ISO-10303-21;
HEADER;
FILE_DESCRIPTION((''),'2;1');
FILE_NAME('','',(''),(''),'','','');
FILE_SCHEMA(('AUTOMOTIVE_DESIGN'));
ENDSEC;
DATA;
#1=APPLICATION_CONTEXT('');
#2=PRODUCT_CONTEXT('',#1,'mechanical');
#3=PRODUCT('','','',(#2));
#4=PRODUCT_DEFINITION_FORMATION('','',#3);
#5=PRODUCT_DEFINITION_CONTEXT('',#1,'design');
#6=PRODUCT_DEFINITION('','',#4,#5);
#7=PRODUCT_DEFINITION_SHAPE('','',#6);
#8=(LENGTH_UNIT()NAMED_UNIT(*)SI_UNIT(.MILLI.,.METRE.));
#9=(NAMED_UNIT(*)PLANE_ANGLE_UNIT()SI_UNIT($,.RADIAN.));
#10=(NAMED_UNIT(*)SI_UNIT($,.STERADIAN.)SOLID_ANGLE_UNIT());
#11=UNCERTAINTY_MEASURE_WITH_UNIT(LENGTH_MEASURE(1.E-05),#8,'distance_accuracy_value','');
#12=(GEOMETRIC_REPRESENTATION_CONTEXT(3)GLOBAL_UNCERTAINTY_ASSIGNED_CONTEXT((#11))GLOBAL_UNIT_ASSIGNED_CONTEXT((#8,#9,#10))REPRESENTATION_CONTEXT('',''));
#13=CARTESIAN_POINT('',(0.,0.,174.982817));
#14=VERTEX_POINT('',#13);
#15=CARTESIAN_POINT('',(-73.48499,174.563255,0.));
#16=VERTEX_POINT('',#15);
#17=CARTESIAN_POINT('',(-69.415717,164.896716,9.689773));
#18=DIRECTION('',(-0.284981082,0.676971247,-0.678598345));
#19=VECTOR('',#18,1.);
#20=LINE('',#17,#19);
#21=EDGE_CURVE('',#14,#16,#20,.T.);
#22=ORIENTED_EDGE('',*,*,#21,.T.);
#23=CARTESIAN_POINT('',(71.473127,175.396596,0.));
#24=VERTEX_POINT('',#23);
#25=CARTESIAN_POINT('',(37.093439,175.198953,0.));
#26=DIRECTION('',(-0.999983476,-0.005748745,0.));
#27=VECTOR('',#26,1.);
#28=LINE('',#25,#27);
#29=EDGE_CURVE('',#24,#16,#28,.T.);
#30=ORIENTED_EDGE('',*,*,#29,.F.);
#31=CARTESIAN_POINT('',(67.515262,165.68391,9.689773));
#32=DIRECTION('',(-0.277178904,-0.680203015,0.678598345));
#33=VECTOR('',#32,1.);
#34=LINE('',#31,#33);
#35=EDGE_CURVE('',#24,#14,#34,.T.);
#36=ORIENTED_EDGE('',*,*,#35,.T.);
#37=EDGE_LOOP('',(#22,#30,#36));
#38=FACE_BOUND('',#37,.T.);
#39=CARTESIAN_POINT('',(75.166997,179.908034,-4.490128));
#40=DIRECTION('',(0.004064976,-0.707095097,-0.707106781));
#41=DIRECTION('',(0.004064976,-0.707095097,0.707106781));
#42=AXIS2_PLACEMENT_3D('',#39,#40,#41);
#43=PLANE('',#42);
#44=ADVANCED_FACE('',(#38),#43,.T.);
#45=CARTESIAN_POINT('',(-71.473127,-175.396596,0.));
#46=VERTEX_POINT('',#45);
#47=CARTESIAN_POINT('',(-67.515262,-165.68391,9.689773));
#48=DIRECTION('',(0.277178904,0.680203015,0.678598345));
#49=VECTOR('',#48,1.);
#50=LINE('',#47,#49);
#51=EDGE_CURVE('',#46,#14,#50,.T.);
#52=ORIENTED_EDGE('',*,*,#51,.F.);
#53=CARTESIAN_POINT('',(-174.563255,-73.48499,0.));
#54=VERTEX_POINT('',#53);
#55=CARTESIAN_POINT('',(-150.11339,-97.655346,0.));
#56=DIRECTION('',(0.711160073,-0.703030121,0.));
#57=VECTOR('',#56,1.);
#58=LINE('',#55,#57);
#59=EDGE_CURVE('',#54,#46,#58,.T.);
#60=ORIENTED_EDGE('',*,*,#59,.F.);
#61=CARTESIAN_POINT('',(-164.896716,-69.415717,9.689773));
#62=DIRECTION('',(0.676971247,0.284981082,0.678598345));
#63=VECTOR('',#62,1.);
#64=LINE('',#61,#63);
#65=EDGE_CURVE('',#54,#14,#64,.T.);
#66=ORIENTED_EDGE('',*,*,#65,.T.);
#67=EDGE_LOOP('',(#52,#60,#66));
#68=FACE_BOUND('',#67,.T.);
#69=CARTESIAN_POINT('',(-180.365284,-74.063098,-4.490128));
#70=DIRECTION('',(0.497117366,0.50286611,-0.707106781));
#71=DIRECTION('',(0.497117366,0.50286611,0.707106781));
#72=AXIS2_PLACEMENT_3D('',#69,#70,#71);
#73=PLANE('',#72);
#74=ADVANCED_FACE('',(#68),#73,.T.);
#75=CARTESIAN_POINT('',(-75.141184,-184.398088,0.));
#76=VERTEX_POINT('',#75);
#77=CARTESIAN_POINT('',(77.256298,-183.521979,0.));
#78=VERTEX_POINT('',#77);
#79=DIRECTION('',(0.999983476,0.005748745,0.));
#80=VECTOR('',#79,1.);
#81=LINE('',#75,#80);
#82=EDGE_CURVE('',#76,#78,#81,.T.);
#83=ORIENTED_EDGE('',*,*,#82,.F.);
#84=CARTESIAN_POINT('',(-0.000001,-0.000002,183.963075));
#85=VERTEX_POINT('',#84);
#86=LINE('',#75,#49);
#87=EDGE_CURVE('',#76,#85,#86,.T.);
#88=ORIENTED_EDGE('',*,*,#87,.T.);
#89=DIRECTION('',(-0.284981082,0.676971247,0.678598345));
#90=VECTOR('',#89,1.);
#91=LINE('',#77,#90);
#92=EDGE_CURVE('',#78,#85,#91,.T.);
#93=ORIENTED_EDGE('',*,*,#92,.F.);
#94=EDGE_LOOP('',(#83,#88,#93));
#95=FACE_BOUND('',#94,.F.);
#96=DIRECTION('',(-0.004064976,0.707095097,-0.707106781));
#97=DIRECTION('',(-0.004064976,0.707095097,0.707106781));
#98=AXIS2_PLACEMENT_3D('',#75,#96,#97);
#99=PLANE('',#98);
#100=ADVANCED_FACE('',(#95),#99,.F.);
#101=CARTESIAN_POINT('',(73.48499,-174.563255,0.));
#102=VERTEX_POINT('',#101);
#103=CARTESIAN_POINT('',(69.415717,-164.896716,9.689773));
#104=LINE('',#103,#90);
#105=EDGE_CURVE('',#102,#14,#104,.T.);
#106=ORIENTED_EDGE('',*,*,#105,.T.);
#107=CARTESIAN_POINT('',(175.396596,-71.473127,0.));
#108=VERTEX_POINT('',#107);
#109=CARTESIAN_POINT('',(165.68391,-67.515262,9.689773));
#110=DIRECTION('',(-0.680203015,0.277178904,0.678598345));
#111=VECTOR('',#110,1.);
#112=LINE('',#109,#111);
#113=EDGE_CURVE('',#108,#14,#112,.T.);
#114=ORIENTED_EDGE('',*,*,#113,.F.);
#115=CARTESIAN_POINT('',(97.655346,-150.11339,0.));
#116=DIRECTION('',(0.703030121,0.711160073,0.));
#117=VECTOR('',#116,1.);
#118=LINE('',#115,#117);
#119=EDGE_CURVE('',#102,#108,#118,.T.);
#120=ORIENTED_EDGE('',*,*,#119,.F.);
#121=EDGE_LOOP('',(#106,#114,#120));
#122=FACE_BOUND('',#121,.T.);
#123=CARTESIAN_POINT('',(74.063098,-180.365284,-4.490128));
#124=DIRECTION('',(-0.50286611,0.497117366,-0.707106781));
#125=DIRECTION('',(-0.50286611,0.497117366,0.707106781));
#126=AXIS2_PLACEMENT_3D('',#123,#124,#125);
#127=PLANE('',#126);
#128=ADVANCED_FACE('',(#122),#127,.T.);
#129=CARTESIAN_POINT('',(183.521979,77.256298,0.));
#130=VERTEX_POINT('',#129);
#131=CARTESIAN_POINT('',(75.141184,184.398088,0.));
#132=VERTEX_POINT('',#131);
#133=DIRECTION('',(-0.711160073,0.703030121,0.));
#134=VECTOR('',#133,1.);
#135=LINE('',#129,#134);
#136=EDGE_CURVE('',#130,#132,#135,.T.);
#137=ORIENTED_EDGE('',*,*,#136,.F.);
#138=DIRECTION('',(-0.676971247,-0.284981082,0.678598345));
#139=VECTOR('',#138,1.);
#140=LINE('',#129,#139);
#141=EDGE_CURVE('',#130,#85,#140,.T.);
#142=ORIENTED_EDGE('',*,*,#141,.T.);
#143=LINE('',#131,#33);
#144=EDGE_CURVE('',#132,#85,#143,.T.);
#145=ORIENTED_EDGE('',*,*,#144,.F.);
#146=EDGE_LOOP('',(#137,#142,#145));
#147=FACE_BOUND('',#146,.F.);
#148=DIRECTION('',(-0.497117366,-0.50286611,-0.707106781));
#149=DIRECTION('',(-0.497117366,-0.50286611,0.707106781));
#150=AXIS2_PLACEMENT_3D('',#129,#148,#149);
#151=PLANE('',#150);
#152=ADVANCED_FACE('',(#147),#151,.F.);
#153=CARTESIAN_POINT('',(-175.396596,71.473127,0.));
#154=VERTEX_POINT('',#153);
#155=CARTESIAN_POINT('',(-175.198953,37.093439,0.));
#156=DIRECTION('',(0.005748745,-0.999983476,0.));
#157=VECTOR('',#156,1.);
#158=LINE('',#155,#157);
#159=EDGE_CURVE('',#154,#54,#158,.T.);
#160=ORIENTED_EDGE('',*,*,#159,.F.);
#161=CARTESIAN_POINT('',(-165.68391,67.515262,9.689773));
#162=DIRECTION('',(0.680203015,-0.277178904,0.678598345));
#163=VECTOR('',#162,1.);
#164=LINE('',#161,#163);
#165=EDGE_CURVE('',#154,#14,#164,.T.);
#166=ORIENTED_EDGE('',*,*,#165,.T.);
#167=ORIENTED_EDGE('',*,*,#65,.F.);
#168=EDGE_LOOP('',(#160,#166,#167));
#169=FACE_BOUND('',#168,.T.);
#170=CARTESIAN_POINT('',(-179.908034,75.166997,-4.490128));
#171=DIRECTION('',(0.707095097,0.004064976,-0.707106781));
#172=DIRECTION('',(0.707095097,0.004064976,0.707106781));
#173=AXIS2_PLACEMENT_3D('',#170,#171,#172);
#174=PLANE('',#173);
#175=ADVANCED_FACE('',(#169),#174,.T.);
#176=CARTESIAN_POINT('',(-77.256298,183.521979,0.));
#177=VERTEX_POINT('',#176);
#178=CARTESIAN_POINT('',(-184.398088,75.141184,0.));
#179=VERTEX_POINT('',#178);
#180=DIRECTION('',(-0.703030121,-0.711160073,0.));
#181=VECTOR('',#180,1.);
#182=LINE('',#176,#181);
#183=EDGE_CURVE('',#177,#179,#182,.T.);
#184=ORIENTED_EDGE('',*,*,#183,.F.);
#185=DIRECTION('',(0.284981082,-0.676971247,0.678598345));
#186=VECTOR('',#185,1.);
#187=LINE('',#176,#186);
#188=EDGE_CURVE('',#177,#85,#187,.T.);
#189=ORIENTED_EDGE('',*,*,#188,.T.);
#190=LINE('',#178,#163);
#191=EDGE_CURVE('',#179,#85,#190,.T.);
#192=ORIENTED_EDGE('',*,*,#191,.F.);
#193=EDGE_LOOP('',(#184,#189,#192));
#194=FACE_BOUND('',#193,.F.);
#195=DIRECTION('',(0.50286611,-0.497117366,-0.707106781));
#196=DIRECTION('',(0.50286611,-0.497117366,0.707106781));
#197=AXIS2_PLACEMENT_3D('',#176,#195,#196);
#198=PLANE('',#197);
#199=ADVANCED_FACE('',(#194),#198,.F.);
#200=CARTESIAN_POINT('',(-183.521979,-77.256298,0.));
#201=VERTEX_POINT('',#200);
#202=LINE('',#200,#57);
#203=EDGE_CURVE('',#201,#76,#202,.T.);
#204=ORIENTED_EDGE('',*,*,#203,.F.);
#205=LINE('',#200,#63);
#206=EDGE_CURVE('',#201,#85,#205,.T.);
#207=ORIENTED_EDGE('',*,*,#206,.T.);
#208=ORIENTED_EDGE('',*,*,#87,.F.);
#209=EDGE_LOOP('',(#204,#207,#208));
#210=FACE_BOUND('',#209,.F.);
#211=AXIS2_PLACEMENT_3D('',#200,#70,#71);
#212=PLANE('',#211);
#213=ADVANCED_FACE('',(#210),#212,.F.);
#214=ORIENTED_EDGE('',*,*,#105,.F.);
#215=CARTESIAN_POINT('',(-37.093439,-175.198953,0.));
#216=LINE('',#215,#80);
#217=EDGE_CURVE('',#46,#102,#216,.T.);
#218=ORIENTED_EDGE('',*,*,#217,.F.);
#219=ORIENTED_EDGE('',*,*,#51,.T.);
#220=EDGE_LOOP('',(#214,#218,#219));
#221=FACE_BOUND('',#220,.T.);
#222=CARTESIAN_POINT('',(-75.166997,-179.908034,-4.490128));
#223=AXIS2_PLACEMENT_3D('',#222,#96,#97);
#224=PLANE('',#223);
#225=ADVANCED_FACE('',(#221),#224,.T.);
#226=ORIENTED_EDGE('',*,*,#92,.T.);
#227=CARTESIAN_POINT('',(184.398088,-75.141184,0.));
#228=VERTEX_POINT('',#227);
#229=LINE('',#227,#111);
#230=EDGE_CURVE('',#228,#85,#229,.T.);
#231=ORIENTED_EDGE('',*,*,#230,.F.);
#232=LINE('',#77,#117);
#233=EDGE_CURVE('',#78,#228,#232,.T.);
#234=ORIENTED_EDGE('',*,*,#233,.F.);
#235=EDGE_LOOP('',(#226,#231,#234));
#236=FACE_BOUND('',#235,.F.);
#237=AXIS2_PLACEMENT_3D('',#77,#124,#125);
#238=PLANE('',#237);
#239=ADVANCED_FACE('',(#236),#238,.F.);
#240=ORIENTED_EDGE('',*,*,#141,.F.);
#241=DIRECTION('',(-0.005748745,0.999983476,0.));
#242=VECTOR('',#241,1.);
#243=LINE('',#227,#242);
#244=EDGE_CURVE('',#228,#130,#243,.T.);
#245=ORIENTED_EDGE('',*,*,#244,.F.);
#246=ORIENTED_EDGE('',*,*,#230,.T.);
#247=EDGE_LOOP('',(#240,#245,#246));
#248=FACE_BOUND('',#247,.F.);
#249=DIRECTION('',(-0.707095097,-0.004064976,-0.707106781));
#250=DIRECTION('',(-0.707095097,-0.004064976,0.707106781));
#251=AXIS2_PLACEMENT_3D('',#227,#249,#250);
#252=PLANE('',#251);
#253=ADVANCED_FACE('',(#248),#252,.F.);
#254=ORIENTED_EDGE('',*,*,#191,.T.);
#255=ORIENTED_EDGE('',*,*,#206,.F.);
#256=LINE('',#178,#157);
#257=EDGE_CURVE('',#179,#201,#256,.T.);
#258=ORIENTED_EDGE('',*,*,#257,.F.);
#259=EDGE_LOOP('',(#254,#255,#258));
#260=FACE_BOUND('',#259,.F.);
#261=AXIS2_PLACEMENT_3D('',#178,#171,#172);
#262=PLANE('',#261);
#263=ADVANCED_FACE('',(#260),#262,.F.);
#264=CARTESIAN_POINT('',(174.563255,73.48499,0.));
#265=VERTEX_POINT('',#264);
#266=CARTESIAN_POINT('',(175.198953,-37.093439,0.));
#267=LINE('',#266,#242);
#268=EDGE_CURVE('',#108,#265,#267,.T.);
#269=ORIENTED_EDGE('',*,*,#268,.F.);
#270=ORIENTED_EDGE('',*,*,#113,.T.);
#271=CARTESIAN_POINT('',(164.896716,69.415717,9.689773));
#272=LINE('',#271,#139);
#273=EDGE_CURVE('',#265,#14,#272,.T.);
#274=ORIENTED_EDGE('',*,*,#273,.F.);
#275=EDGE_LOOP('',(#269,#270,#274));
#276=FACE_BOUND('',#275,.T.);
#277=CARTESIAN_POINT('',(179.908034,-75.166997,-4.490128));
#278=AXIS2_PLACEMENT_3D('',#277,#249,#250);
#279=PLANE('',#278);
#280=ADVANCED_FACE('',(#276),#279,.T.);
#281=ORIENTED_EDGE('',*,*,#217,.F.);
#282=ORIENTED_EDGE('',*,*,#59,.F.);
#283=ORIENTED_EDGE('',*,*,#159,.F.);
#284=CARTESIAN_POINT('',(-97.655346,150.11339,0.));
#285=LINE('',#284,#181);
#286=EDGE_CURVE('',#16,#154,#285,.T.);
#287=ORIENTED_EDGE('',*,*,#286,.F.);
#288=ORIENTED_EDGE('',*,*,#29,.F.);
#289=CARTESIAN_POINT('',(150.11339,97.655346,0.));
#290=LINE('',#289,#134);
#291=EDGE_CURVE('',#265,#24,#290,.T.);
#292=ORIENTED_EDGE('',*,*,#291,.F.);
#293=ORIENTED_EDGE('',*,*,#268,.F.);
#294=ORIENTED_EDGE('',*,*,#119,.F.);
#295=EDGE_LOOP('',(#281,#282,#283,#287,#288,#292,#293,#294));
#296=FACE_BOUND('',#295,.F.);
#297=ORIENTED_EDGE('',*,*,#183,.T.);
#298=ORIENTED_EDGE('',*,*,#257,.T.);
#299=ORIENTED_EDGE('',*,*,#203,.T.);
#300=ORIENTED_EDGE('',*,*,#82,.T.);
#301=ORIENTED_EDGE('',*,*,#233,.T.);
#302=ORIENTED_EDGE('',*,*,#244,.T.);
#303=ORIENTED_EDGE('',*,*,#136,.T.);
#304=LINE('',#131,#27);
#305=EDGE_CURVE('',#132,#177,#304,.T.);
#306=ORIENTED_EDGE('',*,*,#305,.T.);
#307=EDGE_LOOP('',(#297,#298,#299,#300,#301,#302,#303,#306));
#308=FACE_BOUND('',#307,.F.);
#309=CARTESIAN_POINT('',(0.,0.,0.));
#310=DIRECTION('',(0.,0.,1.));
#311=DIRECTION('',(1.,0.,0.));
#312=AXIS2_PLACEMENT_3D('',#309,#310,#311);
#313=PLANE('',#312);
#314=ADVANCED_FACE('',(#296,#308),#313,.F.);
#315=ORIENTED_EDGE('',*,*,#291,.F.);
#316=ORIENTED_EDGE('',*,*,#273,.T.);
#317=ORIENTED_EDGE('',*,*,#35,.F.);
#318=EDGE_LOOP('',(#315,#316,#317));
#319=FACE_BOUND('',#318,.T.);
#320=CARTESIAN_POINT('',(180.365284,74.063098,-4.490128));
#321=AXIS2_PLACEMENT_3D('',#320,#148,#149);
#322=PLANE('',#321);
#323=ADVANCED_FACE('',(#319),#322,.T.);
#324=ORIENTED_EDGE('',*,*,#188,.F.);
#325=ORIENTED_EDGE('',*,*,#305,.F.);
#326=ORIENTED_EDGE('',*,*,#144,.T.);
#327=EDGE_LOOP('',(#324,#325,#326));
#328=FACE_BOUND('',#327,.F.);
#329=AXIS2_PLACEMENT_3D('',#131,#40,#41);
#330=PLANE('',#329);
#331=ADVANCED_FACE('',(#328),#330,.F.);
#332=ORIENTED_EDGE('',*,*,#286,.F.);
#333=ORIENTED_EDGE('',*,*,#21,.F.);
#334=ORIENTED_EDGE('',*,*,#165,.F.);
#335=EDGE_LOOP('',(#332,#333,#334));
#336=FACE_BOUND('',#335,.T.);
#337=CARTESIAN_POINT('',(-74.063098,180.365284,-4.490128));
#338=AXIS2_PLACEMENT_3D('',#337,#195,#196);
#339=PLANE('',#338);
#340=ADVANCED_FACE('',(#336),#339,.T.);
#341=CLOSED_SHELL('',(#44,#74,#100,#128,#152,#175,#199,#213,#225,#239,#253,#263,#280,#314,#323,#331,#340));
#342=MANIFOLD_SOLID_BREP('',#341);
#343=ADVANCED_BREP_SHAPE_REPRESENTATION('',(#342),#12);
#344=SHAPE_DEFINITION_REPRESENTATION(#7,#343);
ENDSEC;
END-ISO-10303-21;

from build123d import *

# Parameters (mm, degrees)
F1_DEPTH = 184.15
F1_TAPER = 45
F2_T     = -6.35


with BuildPart() as f1:
    # F0 (on Top) → F1 (new body)
    with BuildSketch(Plane.XY):
        Polygon((-77.2562975776, 183.5219792799), (-184.3980879521, 75.1411841391), (-183.5219792799, -77.2562975776), (-75.1411841391, -184.3980879521), (77.2562975776, -183.5219792799), (184.3980879521, -75.1411841391), (183.5219792799, 77.2562975776), (75.1411841391, 184.3980879521), align=None)
    extrude(amount=F1_DEPTH, taper=F1_TAPER)

    # F2
    f2_openings = [f1.faces().sort_by_distance(p)[0] for p in [
        (0, 0, 0),
    ]]
    offset(amount=F2_T, openings=f2_openings)


solid = f1.part
